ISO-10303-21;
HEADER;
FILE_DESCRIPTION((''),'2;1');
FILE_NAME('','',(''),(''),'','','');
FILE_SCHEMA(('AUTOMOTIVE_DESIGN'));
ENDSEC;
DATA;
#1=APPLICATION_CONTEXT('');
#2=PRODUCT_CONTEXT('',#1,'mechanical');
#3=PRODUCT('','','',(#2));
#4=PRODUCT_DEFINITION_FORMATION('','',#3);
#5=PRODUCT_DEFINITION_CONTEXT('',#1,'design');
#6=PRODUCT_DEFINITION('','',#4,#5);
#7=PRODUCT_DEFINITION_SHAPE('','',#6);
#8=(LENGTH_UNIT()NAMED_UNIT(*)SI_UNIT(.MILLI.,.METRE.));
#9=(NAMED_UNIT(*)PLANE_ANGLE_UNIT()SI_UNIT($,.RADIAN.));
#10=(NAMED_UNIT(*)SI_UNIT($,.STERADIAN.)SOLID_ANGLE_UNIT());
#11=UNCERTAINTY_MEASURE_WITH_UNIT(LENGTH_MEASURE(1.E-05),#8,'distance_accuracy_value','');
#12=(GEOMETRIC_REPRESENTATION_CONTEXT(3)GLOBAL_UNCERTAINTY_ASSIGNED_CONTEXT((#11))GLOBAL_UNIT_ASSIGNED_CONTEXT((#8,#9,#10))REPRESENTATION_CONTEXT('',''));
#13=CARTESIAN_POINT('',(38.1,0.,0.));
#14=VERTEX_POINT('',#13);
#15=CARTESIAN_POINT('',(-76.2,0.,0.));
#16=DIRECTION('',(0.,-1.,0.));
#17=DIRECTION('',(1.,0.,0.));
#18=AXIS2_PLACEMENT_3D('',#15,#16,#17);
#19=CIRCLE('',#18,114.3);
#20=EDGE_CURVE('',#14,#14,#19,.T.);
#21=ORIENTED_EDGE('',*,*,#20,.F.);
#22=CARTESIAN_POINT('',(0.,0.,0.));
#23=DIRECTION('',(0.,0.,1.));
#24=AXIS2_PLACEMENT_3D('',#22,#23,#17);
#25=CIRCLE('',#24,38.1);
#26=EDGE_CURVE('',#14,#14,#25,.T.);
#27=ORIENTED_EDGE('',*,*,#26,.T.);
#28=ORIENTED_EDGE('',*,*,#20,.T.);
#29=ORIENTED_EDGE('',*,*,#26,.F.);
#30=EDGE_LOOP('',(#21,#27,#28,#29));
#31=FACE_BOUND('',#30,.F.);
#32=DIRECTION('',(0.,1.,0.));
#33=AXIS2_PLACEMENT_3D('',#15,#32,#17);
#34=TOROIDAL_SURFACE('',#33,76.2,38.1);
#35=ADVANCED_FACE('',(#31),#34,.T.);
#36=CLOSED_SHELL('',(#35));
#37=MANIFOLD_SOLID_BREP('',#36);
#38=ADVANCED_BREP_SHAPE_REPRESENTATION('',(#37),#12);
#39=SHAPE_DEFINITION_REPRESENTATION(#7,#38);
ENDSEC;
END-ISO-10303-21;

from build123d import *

# Parameters (mm, degrees)
F0_R = 38.1


with BuildPart() as f2:
    # F0 (on Top) → F2 (revolve)
    with BuildSketch(Plane.XY):
        Circle(F0_R)
    revolve(axis=Axis((-76.2, 0, 0), (0, -1, 0)))


solid = f2.part
